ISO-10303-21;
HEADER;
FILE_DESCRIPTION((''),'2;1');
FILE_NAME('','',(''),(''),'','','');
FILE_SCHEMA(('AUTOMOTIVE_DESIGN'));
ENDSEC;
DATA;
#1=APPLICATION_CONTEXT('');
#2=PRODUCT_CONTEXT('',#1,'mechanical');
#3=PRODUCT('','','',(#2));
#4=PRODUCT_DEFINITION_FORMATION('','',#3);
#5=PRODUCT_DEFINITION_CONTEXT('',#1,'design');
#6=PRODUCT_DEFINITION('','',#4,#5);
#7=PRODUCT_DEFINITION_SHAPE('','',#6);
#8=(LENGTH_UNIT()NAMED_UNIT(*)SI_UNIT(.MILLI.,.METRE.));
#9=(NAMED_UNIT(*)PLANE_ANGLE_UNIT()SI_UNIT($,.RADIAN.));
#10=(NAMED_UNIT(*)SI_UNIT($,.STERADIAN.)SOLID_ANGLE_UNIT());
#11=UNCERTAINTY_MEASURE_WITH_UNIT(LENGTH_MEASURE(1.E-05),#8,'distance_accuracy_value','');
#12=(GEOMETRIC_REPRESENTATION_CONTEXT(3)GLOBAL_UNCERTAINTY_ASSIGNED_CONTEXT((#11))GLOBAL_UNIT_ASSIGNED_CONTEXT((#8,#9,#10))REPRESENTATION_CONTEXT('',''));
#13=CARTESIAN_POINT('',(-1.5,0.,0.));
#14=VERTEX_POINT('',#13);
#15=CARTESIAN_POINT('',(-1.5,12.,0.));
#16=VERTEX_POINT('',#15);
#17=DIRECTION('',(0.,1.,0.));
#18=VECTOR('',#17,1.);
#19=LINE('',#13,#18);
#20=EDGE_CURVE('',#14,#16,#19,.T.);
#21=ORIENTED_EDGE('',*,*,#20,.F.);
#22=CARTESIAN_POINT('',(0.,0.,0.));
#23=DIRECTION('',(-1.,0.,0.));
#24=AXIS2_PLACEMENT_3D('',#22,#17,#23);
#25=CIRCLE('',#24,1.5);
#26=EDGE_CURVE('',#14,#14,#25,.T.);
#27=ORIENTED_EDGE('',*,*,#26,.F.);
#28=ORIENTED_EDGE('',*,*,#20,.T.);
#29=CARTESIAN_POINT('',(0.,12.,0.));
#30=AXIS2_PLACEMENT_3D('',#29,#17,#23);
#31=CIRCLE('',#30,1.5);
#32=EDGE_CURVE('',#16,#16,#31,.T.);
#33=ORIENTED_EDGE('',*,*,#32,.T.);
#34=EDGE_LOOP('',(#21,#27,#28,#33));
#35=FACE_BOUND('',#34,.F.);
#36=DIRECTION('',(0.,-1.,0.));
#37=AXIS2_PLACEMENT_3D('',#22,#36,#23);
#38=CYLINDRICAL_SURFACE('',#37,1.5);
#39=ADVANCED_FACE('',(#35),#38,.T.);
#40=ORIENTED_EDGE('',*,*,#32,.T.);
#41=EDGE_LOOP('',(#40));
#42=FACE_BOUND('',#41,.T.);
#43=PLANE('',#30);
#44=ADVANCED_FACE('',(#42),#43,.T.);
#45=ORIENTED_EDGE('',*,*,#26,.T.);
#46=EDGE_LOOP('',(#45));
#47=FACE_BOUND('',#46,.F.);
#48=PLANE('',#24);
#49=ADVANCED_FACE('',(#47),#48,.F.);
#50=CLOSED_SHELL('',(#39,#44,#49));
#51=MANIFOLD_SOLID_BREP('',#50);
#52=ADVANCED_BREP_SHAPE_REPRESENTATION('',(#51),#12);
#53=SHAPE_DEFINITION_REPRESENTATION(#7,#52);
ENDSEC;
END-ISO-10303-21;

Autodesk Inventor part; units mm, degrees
ref_plane "YZ Plane" through (0, 0, 0) normal (1, 0, 0) x (0, 1, 0)
ref_plane "XZ Plane" through (0, 0, 0) normal (0, 1, 0) x (-1, 0, 0)
ref_plane "XY Plane" through (0, 0, 0) normal (0, 0, 1) x (1, 0, 0)
sketch "Sketch1" plane through (0, 0, 0) normal (0, 1, 0) x (-1, 0, 0)
  circle A0 centre (0, 0) radius 1.5
  dimension "d0" = 3
extrude "Extrusion1" add sketch "Sketch1" along normal blind 12
properties part number "m3x12"
